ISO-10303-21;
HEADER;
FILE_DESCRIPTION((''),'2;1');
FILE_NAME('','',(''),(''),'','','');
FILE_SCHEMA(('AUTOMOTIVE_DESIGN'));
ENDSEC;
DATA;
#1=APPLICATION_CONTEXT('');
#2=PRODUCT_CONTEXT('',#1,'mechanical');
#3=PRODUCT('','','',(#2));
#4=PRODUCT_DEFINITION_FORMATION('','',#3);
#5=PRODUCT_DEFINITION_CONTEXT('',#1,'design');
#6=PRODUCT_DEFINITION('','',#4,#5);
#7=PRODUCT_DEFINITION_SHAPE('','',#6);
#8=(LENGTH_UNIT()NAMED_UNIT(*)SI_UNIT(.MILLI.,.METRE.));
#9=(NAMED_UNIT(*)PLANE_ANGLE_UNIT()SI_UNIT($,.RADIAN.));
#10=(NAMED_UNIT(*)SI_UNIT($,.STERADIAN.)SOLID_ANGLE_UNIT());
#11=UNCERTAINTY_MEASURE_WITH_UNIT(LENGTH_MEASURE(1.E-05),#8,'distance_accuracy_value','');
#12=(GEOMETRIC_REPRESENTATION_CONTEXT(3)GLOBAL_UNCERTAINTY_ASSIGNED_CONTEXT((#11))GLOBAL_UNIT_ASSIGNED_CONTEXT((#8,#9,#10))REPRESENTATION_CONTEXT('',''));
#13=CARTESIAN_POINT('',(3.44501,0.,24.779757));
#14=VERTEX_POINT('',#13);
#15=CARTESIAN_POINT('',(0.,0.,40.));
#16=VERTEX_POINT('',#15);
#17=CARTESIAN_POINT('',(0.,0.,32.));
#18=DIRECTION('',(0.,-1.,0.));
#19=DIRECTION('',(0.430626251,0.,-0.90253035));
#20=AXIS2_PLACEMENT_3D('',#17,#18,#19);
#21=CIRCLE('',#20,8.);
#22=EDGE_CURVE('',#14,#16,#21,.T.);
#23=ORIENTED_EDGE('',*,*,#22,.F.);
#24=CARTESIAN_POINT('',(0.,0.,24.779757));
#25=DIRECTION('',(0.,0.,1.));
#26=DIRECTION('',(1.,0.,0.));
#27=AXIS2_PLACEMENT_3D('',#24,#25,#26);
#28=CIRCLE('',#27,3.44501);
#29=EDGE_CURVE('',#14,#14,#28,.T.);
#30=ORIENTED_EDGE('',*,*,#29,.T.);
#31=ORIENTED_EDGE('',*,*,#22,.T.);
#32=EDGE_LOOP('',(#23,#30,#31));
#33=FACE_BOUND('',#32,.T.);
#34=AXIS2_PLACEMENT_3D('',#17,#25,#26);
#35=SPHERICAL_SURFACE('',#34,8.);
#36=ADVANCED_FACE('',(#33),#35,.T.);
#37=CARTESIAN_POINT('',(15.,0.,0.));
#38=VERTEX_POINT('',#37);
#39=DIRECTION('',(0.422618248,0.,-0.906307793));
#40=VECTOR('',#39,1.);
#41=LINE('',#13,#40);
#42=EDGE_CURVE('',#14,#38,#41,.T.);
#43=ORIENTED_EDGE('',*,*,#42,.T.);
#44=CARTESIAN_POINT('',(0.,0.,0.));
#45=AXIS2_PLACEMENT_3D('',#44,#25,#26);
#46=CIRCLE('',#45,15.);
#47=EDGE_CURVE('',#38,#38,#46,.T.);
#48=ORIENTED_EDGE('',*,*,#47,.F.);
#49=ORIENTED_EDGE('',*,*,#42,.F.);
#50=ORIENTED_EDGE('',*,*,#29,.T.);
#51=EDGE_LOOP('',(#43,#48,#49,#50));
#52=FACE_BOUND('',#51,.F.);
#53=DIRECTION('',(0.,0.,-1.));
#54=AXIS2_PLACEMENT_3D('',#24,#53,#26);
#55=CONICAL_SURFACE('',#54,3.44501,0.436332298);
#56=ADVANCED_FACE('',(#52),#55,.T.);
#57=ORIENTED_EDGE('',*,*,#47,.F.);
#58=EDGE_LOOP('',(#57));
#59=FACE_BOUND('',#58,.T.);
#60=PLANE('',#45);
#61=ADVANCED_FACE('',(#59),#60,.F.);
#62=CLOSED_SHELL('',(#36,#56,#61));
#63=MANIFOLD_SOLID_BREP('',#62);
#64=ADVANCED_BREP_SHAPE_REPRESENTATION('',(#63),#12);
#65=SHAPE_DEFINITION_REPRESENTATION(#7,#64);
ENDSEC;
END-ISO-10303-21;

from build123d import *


with BuildPart() as part:
    # Sketch → Revolve (revolve)
    with BuildSketch(Plane.XZ):
        with BuildLine():
            Line((0, 40), (0, 0))
            Line((0, 0), (15, 0))
            Line((3.44501, 24.779757), (15, 0))
            ThreePointArc((3.44501, 24.779757), (7.802626, 33.766077), (0, 40))
        make_face()
    revolve(axis=Axis((0, 0, 0), (0, 0, 1)))


solid = part.part
